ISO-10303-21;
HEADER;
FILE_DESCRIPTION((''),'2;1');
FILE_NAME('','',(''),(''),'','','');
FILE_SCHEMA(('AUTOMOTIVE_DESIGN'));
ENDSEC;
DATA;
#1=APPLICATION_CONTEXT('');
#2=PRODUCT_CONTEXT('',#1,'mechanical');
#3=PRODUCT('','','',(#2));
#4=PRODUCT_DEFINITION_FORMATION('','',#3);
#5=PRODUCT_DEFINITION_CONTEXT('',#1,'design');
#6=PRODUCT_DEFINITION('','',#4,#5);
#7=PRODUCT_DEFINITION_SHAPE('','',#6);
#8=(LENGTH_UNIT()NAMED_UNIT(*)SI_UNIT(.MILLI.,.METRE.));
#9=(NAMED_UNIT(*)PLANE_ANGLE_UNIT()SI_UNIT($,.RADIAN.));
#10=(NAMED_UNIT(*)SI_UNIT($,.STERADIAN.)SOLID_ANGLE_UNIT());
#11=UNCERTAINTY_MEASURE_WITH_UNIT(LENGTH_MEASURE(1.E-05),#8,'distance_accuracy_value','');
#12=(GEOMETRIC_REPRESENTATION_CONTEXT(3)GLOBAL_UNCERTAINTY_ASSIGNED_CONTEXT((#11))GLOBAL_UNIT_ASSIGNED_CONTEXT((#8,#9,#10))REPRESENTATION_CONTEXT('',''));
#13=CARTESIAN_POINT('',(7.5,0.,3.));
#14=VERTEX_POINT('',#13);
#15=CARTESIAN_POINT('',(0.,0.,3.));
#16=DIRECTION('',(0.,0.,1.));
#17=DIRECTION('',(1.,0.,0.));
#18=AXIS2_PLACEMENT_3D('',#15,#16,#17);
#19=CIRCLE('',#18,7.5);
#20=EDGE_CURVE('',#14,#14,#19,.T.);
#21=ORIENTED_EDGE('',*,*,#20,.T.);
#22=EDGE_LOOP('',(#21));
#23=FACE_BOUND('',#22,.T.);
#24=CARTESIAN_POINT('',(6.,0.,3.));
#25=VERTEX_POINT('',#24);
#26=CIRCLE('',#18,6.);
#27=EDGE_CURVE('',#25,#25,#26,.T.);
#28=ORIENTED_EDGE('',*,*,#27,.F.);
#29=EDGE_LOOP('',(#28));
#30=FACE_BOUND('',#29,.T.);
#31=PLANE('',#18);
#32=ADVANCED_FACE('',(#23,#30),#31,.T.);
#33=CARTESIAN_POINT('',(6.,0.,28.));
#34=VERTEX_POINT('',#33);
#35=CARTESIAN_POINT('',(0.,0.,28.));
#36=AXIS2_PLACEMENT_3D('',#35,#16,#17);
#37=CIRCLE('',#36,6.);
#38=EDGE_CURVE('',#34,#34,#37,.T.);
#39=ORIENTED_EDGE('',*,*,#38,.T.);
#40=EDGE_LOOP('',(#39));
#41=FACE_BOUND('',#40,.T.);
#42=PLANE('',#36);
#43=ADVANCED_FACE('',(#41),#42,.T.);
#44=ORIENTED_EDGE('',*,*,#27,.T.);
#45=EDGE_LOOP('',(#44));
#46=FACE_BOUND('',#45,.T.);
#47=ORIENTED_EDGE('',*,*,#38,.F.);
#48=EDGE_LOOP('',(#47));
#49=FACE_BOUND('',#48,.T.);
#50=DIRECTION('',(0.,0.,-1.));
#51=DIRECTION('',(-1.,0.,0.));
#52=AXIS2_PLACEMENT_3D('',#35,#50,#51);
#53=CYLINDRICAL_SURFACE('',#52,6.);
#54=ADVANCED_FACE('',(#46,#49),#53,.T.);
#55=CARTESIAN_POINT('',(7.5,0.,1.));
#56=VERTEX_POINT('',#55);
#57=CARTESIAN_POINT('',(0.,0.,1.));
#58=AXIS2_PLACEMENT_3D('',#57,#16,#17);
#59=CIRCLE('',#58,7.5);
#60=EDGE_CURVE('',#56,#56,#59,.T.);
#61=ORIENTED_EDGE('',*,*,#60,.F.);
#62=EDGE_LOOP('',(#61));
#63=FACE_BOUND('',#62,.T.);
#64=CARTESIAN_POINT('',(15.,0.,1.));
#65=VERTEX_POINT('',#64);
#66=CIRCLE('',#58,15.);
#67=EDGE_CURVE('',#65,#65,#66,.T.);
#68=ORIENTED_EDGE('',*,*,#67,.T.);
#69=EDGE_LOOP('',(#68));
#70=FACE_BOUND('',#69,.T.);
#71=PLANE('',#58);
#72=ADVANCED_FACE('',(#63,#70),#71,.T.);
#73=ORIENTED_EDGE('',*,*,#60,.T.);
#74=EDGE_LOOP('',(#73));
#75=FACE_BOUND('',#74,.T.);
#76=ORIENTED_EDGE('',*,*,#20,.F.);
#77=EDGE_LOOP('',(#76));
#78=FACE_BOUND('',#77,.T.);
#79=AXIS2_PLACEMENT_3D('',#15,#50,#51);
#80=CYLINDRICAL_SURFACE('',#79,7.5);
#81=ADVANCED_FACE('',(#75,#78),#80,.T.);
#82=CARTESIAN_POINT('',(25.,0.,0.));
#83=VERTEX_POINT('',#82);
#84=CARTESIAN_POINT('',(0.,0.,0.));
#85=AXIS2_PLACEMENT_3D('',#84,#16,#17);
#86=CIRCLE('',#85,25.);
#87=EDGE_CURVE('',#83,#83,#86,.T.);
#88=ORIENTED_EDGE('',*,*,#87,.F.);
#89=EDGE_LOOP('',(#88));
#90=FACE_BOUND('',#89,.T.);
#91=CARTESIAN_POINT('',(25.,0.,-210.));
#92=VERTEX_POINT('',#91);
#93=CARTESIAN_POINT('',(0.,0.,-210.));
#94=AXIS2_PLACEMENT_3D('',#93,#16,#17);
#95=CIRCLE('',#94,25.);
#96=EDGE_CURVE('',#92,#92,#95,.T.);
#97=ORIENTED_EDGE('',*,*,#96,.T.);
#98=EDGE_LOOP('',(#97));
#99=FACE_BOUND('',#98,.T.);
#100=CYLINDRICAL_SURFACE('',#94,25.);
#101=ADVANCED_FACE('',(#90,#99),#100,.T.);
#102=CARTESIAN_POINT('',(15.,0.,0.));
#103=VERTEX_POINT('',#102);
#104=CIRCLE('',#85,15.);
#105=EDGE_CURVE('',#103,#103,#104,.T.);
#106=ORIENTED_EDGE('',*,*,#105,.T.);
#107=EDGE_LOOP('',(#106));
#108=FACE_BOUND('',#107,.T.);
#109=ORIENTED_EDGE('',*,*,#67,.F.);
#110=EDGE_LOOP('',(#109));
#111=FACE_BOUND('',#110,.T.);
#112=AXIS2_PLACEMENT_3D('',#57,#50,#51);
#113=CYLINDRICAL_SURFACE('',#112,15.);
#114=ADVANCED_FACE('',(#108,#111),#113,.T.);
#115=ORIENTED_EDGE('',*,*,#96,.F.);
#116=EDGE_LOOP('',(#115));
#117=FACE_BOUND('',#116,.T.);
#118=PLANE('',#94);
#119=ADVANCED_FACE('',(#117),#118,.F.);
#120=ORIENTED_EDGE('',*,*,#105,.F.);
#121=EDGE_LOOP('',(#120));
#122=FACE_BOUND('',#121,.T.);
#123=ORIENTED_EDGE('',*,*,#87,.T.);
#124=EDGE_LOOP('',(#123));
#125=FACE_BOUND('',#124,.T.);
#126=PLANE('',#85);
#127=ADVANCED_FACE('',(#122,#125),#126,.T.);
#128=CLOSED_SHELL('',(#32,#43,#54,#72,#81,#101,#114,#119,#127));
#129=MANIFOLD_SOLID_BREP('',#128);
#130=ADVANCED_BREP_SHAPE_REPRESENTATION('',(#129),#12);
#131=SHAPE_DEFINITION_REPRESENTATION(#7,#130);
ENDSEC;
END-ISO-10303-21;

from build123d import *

# Parameters (mm, degrees)
SKETCH1_R           = 25
BOSS_EXTRUDE2_DEPTH = 210
SKETCH2_R           = 15
BOSS_EXTRUDE3_DEPTH = 1
SKETCH3_R           = 7.5
BOSS_EXTRUDE4_DEPTH = 2
SKETCH4_R           = 6
BOSS_EXTRUDE5_DEPTH = 25


with BuildPart() as part:
    # Sketch1 → Boss-Extrude2 (new body)
    with BuildSketch(Plane.XY):
        Circle(SKETCH1_R)
    extrude(amount=-BOSS_EXTRUDE2_DEPTH)

    # Sketch2 → Boss-Extrude3 (add)
    with BuildSketch(Plane.XY):
        Circle(SKETCH2_R)
    extrude(amount=BOSS_EXTRUDE3_DEPTH)

    # Sketch3 → Boss-Extrude4 (add)
    with BuildSketch(Plane.XY.offset(1)):
        Circle(SKETCH3_R)
    extrude(amount=BOSS_EXTRUDE4_DEPTH)

    # Sketch4 → Boss-Extrude5 (add)
    with BuildSketch(Plane.XY.offset(3)):
        Circle(SKETCH4_R)
    extrude(amount=BOSS_EXTRUDE5_DEPTH)


solid = part.part
